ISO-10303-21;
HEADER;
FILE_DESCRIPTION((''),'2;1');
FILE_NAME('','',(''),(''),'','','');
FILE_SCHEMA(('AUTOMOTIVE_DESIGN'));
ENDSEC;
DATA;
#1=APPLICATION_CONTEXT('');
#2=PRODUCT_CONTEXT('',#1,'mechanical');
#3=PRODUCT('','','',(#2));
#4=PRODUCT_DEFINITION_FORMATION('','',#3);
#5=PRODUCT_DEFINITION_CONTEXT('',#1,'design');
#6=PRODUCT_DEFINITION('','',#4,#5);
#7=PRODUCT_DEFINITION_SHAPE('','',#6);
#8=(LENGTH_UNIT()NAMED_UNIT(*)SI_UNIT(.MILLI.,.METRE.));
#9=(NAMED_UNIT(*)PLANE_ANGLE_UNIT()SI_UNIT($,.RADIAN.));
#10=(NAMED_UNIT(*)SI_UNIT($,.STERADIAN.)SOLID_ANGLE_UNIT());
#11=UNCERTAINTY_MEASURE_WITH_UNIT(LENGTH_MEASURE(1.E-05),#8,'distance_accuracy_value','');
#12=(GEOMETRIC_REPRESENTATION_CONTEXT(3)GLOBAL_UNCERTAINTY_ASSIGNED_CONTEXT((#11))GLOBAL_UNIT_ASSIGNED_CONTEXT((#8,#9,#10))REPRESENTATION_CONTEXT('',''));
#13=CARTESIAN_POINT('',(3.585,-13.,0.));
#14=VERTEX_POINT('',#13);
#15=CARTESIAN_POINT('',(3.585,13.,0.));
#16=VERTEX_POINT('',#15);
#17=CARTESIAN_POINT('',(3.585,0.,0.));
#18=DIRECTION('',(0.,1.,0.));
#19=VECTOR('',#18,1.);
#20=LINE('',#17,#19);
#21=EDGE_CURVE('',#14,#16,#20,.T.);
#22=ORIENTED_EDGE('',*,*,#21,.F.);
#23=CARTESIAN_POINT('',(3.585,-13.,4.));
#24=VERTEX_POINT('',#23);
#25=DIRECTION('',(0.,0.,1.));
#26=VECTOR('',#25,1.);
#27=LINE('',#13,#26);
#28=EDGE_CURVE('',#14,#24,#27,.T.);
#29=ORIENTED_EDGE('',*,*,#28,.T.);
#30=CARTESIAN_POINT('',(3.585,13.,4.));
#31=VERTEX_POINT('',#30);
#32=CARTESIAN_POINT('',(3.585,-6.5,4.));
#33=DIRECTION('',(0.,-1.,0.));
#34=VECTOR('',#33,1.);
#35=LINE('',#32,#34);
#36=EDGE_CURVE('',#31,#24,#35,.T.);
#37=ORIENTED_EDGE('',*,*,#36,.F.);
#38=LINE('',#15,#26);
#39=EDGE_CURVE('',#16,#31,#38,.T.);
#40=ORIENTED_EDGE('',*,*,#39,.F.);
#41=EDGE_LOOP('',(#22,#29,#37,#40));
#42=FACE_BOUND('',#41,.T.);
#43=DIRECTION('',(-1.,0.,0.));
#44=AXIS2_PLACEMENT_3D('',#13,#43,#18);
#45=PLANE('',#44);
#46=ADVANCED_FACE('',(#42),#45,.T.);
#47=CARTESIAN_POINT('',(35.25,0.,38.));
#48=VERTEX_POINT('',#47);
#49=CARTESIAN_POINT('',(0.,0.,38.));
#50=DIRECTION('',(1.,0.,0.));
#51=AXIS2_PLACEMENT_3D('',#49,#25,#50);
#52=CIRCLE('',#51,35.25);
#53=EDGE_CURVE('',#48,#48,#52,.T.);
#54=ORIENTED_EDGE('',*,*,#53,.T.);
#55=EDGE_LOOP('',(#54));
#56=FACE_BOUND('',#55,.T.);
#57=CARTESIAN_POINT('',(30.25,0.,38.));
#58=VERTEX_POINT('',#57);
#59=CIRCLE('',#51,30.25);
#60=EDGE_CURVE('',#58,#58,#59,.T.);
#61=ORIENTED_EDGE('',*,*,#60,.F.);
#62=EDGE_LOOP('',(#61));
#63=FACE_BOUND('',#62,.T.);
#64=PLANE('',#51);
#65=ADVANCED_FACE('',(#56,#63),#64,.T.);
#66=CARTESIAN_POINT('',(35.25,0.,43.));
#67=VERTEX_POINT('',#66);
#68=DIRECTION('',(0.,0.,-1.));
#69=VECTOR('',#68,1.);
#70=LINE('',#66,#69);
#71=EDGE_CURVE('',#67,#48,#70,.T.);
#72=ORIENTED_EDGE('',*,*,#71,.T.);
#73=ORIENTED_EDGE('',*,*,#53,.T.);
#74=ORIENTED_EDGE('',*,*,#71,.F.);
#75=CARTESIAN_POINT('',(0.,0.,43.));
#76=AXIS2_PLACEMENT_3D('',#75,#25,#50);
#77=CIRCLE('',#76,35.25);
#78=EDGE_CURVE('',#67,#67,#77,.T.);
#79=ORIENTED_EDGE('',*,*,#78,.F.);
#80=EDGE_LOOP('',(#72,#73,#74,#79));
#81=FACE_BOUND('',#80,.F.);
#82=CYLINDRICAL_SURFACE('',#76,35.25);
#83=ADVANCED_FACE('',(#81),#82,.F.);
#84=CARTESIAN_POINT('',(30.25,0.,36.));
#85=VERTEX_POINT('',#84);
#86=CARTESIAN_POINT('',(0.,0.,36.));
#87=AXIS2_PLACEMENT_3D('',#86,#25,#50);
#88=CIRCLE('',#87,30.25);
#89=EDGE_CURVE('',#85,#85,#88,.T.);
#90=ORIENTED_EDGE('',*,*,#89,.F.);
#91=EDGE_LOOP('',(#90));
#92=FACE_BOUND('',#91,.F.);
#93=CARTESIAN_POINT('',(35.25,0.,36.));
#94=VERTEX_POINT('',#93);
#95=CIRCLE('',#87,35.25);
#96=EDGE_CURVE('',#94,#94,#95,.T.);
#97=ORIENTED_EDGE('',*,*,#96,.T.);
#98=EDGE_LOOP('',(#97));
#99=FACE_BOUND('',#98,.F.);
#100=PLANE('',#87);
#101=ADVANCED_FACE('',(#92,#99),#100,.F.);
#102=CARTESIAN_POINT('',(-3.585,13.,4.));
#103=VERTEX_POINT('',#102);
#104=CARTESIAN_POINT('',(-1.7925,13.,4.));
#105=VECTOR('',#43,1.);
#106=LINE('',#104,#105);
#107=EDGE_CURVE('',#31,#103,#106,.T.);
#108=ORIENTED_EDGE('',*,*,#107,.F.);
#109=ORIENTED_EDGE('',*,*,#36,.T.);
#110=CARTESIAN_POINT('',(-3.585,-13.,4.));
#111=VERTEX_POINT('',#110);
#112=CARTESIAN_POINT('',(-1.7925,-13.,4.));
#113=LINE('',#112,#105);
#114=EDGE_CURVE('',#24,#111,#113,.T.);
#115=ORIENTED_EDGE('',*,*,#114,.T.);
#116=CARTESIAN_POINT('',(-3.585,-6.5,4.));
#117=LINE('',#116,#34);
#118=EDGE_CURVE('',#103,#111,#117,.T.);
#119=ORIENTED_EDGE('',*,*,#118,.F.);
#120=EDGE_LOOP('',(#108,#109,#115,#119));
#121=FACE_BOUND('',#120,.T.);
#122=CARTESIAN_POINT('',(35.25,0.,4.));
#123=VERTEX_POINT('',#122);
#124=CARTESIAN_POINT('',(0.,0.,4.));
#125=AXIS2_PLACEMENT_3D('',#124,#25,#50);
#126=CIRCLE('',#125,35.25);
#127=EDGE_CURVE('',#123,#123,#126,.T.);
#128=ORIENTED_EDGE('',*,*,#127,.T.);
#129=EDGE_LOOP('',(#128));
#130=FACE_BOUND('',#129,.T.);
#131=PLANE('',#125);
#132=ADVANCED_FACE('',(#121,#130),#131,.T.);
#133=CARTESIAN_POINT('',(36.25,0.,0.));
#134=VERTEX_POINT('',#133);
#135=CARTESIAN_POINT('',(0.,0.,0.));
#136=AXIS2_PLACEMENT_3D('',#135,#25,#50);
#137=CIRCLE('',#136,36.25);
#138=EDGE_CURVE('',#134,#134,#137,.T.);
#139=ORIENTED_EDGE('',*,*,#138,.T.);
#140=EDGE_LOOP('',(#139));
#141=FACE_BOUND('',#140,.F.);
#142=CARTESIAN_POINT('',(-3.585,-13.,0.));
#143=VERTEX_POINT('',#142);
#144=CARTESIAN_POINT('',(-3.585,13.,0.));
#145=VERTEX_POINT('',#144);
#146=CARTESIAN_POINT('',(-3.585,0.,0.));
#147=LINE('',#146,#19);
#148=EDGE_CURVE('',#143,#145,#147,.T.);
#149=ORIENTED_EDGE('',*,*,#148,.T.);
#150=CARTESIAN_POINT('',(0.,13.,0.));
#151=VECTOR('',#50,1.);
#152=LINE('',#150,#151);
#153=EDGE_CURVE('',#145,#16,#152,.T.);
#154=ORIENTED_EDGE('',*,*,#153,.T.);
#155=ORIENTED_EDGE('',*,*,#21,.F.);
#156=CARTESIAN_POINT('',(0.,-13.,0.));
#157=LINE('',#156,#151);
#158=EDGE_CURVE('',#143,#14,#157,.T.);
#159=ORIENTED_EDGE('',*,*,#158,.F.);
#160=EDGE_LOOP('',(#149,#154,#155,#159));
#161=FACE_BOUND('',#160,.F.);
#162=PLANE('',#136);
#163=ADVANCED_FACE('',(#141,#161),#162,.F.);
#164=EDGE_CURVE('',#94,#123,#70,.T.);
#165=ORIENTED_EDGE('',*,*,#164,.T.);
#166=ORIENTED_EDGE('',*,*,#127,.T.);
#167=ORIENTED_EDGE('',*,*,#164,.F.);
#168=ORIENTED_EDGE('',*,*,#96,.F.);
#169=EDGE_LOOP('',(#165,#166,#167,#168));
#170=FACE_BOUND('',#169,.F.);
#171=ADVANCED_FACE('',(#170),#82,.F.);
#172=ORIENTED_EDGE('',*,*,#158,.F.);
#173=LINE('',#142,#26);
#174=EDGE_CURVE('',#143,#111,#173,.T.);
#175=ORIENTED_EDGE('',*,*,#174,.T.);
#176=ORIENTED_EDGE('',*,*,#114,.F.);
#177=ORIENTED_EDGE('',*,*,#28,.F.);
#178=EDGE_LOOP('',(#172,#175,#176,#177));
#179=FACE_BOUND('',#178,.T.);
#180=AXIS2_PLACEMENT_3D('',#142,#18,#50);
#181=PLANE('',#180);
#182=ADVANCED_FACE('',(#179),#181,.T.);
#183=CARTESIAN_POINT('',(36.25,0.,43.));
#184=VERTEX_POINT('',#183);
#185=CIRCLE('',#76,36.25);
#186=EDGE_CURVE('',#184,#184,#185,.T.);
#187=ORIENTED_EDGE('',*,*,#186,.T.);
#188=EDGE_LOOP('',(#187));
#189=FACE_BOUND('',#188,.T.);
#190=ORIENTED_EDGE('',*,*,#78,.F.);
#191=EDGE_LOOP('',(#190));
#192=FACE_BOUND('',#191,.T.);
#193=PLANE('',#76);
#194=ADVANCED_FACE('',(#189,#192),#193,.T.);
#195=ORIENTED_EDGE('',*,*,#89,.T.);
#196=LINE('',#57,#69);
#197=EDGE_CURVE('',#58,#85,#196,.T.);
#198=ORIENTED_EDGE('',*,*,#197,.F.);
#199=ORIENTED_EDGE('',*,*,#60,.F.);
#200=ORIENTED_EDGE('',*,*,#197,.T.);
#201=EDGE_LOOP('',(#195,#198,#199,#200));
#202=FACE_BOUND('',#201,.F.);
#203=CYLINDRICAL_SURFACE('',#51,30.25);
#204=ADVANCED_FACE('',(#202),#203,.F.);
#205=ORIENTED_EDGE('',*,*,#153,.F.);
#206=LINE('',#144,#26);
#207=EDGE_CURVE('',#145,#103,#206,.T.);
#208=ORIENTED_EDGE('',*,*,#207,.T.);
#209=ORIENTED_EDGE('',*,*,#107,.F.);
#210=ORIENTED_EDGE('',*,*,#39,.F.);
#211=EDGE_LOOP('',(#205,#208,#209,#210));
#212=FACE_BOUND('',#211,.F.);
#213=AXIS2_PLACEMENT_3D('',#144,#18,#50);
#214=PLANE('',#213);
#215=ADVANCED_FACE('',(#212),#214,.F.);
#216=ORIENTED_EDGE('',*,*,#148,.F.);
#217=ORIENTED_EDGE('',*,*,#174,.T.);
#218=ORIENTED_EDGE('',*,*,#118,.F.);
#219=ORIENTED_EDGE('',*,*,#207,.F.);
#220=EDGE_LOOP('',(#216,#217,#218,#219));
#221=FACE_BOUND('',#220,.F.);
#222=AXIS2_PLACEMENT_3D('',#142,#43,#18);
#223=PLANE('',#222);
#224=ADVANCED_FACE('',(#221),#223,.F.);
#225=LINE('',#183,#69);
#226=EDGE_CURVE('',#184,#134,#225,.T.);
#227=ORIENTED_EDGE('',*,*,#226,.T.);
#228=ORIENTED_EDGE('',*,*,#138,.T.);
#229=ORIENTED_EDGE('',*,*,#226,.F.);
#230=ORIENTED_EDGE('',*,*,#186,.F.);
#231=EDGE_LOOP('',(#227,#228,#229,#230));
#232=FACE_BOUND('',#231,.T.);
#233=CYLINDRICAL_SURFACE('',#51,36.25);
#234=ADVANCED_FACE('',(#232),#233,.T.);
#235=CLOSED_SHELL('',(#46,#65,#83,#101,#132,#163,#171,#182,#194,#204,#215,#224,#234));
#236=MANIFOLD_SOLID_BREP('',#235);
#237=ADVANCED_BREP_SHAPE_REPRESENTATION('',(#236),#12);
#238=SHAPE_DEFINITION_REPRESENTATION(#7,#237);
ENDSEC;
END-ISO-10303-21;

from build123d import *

# Parameters (mm, degrees)
F0_R     = 36.25
F1_DEPTH = 43
F2_R     = 35.25
F3_DEPTH = 39
F5_R     = 36.25
F5_R_2   = 30.25
F6_DEPTH = 2
F7_W     = 7.17
F7_H     = 26
F8_DEPTH = 43.001


with BuildPart() as f1:
    # F0 (on Top) → F1 (new body)
    with BuildSketch(Plane.XY):
        Circle(F0_R)
    extrude(amount=F1_DEPTH)

    # F2 (on face) → F3 (cut)
    with BuildSketch(Plane.XY.offset(43)):
        Circle(F2_R)
    extrude(amount=-F3_DEPTH, mode=Mode.SUBTRACT)

    # F5 (on offset) → F6 (join)
    with BuildSketch(Plane.XY.offset(38)):
        Circle(F5_R)
        Circle(F5_R_2, mode=Mode.SUBTRACT)
    extrude(amount=-F6_DEPTH)

    # F7 (on Top) → F8 (cut, through all)
    with BuildSketch(Plane.XY):
        Rectangle(F7_W, F7_H)
    extrude(amount=F8_DEPTH, mode=Mode.SUBTRACT)


solid = f1.part
